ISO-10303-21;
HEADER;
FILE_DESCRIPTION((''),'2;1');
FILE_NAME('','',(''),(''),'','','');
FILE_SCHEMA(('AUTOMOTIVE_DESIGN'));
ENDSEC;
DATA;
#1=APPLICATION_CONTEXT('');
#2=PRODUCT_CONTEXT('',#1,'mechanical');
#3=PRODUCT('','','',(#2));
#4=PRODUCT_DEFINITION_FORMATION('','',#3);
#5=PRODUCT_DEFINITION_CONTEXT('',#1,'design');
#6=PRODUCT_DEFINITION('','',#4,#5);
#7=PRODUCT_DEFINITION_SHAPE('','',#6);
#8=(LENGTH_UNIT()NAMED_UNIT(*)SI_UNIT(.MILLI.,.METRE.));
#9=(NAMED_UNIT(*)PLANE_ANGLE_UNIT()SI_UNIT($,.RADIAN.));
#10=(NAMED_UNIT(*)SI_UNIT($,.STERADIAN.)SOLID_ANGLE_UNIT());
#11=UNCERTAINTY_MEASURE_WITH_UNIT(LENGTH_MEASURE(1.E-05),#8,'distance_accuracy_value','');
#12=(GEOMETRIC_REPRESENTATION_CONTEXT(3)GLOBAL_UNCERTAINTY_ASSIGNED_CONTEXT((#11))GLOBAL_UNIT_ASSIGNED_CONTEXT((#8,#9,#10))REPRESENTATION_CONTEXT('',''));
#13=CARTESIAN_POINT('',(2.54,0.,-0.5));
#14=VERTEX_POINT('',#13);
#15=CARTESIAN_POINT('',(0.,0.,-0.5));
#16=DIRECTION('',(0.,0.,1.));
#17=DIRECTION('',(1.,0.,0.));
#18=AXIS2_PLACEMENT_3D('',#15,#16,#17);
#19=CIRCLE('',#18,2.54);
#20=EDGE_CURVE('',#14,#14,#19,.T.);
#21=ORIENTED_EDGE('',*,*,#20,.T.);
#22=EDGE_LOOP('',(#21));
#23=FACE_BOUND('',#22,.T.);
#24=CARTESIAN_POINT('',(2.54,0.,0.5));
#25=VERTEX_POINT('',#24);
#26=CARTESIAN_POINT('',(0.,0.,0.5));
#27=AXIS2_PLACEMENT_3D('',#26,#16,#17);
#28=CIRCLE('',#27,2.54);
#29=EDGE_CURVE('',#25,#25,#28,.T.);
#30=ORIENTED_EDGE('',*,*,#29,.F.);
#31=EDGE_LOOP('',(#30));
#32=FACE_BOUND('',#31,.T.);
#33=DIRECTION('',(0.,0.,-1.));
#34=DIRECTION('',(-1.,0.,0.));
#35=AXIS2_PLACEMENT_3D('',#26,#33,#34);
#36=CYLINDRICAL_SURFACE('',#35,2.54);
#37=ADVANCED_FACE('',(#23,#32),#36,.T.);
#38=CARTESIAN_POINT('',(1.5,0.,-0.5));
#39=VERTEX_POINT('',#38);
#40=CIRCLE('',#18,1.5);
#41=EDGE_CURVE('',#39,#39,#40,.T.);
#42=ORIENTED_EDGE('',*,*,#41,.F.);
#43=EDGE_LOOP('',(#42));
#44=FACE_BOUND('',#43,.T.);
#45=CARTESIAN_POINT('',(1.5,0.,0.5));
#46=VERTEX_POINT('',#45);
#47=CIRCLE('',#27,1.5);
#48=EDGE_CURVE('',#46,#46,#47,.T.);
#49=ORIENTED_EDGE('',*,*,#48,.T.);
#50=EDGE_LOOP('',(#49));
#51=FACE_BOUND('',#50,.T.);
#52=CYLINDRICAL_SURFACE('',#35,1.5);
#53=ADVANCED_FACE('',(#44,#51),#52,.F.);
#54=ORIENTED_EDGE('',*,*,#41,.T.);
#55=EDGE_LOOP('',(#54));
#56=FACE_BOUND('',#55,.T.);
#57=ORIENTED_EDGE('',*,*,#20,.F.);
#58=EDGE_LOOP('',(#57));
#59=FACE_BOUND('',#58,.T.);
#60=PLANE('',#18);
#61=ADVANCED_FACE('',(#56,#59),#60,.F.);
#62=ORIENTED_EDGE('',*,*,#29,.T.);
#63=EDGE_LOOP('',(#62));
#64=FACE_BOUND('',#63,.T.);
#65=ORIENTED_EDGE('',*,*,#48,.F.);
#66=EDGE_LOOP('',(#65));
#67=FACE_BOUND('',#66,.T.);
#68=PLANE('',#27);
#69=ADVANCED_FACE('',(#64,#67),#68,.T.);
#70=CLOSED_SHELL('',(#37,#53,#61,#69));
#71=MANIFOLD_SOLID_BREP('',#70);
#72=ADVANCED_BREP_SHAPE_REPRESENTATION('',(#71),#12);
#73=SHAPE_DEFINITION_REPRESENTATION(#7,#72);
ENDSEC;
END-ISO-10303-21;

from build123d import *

# Parameters (mm, degrees)
SKETCH1_R           = 2.54
SKETCH1_R_2         = 1.5
BOSS_EXTRUDE1_DEPTH = 0.5


with BuildPart() as part:
    # Sketch1 → Boss-Extrude1 (new body, symmetric)
    with BuildSketch(Plane.XY):
        Circle(SKETCH1_R)
        Circle(SKETCH1_R_2, mode=Mode.SUBTRACT)
    extrude(amount=BOSS_EXTRUDE1_DEPTH, both=True)


solid = part.part
